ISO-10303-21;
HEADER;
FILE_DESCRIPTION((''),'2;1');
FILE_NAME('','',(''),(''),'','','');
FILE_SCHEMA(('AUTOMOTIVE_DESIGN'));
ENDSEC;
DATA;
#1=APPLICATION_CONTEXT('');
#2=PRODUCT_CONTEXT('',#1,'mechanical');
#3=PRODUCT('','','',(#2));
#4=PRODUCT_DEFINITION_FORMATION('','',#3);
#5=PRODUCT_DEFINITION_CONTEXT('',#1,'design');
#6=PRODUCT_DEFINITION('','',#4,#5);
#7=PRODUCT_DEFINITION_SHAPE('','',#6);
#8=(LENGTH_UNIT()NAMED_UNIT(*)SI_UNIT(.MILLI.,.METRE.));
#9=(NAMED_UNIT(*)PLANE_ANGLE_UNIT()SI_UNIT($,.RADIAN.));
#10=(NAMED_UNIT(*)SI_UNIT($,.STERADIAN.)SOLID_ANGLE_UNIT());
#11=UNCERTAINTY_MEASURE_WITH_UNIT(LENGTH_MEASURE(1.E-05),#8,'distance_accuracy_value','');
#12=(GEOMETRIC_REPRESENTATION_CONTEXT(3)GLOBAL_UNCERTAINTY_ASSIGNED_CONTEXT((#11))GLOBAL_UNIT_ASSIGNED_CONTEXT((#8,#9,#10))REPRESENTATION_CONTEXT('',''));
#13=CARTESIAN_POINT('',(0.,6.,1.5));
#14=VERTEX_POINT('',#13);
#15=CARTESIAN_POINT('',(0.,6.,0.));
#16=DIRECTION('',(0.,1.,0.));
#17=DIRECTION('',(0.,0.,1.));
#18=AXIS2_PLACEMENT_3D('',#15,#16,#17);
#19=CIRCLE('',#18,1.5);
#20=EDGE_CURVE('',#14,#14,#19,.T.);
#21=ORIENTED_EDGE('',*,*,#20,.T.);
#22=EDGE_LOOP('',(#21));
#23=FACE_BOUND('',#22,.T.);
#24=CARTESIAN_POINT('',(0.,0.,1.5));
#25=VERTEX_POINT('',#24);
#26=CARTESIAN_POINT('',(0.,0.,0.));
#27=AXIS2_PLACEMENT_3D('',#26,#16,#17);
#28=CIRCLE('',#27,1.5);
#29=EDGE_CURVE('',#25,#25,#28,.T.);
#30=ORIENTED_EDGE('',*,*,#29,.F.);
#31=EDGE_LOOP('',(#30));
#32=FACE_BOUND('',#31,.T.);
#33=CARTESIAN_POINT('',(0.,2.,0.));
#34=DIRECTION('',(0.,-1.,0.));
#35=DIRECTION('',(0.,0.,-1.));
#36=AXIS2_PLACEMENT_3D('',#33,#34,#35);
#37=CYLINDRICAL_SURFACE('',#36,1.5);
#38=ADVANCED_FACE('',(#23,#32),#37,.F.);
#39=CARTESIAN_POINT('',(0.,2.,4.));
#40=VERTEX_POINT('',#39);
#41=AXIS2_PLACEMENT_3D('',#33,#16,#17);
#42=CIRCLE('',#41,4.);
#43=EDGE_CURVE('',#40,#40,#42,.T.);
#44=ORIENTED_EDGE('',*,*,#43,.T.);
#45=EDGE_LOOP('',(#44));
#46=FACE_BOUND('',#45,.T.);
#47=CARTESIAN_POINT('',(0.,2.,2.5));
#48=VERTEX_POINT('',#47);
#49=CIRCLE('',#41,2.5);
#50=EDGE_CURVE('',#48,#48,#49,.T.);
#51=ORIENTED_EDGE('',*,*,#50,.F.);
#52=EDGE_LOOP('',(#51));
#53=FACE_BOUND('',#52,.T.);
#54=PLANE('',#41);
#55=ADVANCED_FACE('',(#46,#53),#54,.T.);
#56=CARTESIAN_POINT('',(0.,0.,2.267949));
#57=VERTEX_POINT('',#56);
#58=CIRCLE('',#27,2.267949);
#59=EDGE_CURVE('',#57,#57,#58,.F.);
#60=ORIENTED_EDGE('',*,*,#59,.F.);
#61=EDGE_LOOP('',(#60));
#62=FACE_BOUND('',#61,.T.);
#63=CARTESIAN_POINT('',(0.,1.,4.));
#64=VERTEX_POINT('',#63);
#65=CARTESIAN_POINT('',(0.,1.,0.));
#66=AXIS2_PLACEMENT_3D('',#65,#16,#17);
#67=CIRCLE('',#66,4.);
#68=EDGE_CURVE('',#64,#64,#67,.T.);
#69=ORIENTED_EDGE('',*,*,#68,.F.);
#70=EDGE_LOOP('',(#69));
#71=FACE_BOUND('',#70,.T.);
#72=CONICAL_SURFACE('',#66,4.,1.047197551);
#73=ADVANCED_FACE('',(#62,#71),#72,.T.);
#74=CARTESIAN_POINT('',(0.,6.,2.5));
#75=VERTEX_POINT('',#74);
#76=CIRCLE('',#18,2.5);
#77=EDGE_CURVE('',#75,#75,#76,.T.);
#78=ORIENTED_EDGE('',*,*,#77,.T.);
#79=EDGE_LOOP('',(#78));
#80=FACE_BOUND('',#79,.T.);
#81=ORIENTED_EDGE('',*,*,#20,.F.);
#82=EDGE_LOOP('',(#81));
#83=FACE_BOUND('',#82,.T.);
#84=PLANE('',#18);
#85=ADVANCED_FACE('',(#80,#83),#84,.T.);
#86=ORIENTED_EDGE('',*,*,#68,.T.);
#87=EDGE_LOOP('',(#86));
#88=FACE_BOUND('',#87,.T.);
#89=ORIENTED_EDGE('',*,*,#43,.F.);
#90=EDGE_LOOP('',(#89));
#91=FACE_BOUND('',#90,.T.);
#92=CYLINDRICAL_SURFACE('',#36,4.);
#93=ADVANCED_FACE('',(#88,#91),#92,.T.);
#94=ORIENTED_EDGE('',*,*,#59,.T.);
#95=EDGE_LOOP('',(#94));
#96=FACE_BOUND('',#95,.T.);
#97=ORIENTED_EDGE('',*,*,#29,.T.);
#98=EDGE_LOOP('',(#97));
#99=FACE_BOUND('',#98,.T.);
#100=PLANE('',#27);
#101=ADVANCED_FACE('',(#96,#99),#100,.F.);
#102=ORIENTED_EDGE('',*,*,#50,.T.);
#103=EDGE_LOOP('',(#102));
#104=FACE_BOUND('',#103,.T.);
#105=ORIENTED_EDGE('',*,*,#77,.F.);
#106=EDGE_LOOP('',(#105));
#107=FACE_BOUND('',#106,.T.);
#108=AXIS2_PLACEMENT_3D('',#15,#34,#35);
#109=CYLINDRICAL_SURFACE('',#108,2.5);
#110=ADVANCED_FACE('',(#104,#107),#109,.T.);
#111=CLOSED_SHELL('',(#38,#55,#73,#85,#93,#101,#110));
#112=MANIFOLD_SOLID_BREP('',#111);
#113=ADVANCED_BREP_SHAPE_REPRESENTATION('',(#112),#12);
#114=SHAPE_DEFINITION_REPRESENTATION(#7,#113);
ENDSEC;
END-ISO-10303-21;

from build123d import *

# Parameters (mm, degrees)
SZKIC1_R                    = 4
SZKIC1_R_2                  = 1.5
DODANIE_WYCI_GNI_CIE1_DEPTH = 2
SZKIC2_R                    = 2.5
SZKIC2_R_2                  = 1.5
DODANIE_WYCI_GNI_CIE2_DEPTH = 4
SFAZOWANIE1_SIZE            = 1
SFAZOWANIE1_SIZE2           = 1.732050808


with BuildPart() as part:
    # Szkic1 → Dodanie-wyciągnięcie1 (new body)
    with BuildSketch(Plane(origin=(0, 0, 0), x_dir=(1, 0, 0), z_dir=(0, 1, 0))):
        with Locations(Location((0, 0, 0), (0, 0, 270))):
            Circle(SZKIC1_R)
        with Locations(Location((0, 0, 0), (0, 0, 270))):
            Circle(SZKIC1_R_2, mode=Mode.SUBTRACT)
    extrude(amount=DODANIE_WYCI_GNI_CIE1_DEPTH)

    # Szkic2 → Dodanie-wyciągnięcie2 (add)
    with BuildSketch(Plane(origin=(0, 2, 0), x_dir=(1, 0, 0), z_dir=(0, 1, 0))):
        with Locations(Location((0, 0, 0), (0, 0, 270))):
            Circle(SZKIC2_R)
        with Locations(Location((0, 0, 0), (0, 0, 270))):
            Circle(SZKIC2_R_2, mode=Mode.SUBTRACT)
    extrude(amount=DODANIE_WYCI_GNI_CIE2_DEPTH)

    # Sfazowanie1
    sfazowanie1_edges = [part.edges().sort_by_distance(p)[0] for p in [
        (0, 0, -4),
    ]]
    sfazowanie1_side = [part.faces().sort_by_distance(p)[0] for p in [
        (0, 1, -4),
    ]]
    chamfer(sfazowanie1_edges, length=SFAZOWANIE1_SIZE, length2=SFAZOWANIE1_SIZE2, reference=sfazowanie1_side[0])


solid = part.part
